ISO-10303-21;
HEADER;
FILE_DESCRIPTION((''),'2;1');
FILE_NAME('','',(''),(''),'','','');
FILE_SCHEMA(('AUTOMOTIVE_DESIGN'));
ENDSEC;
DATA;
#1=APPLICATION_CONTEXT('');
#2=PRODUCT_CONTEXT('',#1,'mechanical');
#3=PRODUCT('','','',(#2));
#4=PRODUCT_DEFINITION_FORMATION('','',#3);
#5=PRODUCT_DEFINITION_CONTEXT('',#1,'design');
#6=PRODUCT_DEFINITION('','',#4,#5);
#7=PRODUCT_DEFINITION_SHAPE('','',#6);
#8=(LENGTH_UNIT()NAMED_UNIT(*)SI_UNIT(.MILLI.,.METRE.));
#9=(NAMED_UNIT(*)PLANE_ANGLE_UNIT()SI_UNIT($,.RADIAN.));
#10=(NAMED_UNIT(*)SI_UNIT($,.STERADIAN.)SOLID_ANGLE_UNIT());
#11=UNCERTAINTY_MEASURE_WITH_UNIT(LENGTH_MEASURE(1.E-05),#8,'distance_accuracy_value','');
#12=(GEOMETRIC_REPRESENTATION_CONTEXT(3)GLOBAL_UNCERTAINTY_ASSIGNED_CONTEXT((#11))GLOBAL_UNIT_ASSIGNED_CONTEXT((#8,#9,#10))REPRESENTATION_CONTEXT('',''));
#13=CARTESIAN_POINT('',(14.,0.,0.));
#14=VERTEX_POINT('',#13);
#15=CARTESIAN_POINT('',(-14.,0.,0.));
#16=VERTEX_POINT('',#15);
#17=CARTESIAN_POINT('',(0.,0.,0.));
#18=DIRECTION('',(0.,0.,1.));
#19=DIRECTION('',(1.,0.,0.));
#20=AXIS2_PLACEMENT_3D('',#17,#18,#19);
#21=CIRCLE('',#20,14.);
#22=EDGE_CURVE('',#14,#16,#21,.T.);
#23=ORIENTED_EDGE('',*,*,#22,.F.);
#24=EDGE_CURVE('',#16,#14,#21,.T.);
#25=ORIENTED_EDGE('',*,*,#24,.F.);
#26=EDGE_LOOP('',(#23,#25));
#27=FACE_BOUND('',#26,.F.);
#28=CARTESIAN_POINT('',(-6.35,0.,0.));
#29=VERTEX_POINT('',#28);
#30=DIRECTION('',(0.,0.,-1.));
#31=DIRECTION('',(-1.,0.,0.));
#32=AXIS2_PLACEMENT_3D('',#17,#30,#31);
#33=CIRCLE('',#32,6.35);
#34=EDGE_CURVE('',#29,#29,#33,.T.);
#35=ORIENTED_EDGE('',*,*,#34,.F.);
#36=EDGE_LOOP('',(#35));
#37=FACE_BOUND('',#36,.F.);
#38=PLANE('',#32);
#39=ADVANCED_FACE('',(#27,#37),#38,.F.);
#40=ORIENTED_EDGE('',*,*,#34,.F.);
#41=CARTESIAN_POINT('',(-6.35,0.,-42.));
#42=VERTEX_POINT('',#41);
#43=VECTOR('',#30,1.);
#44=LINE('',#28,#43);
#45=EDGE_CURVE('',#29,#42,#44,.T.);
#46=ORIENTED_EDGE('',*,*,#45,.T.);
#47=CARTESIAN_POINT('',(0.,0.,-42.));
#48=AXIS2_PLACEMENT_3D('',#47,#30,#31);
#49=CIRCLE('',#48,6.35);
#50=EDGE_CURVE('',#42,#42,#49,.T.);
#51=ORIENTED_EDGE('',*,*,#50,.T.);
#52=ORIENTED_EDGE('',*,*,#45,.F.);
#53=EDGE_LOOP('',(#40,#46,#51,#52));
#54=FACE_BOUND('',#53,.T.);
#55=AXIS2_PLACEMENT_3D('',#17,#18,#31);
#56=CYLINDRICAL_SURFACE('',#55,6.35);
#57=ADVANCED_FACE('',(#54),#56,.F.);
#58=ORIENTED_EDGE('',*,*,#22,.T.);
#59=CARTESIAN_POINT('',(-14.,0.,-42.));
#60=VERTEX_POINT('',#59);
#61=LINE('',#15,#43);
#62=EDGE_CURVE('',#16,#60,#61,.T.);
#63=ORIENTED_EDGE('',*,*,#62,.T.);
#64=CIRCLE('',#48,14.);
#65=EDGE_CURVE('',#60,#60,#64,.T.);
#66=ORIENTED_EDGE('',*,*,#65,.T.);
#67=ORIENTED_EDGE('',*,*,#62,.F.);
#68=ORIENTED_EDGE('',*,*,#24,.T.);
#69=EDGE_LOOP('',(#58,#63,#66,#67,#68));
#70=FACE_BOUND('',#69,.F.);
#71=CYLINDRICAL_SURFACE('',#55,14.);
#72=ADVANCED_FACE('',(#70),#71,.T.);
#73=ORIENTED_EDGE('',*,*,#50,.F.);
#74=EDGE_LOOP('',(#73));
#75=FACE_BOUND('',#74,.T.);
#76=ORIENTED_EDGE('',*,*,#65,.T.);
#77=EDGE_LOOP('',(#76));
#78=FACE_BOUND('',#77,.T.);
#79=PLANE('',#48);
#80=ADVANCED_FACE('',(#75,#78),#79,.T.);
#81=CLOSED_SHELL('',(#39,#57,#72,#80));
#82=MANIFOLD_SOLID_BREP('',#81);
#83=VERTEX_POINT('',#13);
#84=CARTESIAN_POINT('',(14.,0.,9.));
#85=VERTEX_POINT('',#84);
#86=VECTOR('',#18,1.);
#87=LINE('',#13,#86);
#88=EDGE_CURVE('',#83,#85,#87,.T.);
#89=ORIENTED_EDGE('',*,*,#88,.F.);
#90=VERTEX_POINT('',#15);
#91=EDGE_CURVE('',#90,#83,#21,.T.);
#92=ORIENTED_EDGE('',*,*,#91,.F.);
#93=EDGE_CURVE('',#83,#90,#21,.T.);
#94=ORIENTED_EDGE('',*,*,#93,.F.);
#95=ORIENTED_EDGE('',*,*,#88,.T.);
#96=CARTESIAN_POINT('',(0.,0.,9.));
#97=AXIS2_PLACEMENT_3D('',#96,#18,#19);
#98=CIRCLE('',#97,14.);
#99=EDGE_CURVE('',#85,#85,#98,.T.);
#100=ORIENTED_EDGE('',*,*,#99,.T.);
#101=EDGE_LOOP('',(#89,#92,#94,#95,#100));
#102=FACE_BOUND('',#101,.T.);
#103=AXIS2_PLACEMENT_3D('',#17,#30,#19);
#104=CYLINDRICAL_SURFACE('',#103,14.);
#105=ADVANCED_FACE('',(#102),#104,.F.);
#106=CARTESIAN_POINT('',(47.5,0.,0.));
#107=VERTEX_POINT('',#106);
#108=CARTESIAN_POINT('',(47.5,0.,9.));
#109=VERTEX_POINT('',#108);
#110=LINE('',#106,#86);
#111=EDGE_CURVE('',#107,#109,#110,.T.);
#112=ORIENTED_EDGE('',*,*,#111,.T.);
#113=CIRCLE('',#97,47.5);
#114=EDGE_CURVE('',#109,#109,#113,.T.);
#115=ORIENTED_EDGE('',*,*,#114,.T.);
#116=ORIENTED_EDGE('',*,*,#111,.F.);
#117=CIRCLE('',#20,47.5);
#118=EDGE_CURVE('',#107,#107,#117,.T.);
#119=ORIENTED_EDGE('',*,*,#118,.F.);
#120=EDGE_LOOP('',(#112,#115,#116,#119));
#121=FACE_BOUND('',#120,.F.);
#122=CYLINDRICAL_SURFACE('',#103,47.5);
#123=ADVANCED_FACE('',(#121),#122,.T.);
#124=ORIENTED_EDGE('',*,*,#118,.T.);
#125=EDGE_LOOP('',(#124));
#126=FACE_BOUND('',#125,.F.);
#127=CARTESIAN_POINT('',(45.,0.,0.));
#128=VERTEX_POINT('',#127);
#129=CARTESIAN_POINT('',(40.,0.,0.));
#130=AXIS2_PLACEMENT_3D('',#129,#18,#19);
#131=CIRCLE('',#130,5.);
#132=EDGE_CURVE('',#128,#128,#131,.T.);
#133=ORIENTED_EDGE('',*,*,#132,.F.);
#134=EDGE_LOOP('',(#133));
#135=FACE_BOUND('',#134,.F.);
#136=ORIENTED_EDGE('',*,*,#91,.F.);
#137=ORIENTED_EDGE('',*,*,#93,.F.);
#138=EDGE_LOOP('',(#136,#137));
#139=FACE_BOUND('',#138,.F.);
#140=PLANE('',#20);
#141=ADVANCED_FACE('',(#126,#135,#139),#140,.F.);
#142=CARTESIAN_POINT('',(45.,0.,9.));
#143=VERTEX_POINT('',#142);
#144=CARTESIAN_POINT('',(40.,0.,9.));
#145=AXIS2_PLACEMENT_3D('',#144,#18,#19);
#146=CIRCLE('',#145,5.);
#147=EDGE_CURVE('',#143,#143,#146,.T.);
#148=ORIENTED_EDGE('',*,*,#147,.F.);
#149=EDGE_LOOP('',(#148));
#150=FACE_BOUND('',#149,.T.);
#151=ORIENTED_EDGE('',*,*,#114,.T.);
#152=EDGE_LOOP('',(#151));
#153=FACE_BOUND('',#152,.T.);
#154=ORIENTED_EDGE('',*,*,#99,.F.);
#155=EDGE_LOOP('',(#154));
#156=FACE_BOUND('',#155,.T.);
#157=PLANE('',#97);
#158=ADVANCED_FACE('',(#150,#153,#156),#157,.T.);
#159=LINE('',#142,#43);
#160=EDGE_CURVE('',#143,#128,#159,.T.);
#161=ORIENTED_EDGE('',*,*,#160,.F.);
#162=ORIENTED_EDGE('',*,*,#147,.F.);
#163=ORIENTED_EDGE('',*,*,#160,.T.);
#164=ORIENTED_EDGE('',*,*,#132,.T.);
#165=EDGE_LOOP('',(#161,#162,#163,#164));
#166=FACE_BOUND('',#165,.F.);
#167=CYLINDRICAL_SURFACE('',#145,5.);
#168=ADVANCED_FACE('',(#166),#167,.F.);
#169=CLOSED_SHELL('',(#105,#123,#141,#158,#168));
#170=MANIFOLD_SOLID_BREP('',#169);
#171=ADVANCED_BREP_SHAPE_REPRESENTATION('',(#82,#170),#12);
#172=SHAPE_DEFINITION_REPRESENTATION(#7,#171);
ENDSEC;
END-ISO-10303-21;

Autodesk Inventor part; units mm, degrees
ref_plane "YZ Plane" through (0, 0, 0) normal (1, 0, 0) x (0, 1, 0)
ref_plane "XZ Plane" through (0, 0, 0) normal (0, 1, 0) x (-1, 0, 0)
ref_plane "XY Plane" through (0, 0, 0) normal (0, 0, 1) x (1, 0, 0)
sketch "Sketch1" plane through (0, 0, 0) normal (0, 0, 1) x (1, 0, 0)
  circle A0 centre (0, 0) radius 6.35
  circle A1 centre (0, 0) radius 14
  circle A2 centre (0, 0) radius 47.5
  dimension "d0" = 12.7
  dimension "d1" = 28
  dimension "d2" = 95
extrude "Extrusion1" add sketch "Sketch1" along normal blind 9 contours A2
sketch "Sketch2" plane through (0, 0, 0) normal (0, 0, -1) x (-1, 0, 0)
  circle A0 centre (0, 0) radius 14
  circle A1 centre (0, 0) radius 6.35
  dimension "d5" = 28
  dimension "d6" = 12.7
extrude "Extrusion2" add sketch "Sketch2" along normal blind 42
sketch "Sketch3" plane through (0, 0, 0) normal (0, 0, -1) x (-1, 0, 0)
  circle A0 centre (0, 0) radius 35
  arc A1 (34.8714, -2.9972) -> (34.8714, 2.9972) centre (35, 0) ccw
  circle A2 centre (35, 0) radius 5
  dimension "d9" = 70
  dimension "d10" = 6
  dimension "d11" = 10
extrude "Extrusion3" cut sketch "Sketch3" along normal blind 9 contours A0 A2 | A0 A1 | A0 A2 A1 picked at (31.7184, 0.4122)
sketch "Sketch4" plane through (-35, 0, -9) normal (0, 0, -1) x (-1, 0, 0)
  point P0 (-35, 0)
sketch "Sketch5" plane through (0, 0, 9) normal (0, 0, 1) x (1, 0, 0)
  circle A0 centre (0, 0) radius 40
  circle A1 centre (40, 0) radius 3.5
  dimension "d14" = 80
  dimension "d15" = 7
extrude "Extrusion4" cut sketch "Sketch5" against normal blind 9 contours A0 A1 | A0 A1 picked at (38.8994, -0.7916) picked at (41.039, -0.9083)
sketch "Sketch6" plane through (0, 0, 9) normal (0, 0, 1) x (1, 0, 0)
  circle A0 centre (40, 0) radius 3.5 projected
  circle A1 centre (40, 0) radius 5
  point P0 (0, 0)
  dimension "d18" = 10
extrude "Extrusion5" cut sketch "Sketch6" against normal blind 9 contours A0 | A1
properties part number "TA 212 project part(DISK)"
